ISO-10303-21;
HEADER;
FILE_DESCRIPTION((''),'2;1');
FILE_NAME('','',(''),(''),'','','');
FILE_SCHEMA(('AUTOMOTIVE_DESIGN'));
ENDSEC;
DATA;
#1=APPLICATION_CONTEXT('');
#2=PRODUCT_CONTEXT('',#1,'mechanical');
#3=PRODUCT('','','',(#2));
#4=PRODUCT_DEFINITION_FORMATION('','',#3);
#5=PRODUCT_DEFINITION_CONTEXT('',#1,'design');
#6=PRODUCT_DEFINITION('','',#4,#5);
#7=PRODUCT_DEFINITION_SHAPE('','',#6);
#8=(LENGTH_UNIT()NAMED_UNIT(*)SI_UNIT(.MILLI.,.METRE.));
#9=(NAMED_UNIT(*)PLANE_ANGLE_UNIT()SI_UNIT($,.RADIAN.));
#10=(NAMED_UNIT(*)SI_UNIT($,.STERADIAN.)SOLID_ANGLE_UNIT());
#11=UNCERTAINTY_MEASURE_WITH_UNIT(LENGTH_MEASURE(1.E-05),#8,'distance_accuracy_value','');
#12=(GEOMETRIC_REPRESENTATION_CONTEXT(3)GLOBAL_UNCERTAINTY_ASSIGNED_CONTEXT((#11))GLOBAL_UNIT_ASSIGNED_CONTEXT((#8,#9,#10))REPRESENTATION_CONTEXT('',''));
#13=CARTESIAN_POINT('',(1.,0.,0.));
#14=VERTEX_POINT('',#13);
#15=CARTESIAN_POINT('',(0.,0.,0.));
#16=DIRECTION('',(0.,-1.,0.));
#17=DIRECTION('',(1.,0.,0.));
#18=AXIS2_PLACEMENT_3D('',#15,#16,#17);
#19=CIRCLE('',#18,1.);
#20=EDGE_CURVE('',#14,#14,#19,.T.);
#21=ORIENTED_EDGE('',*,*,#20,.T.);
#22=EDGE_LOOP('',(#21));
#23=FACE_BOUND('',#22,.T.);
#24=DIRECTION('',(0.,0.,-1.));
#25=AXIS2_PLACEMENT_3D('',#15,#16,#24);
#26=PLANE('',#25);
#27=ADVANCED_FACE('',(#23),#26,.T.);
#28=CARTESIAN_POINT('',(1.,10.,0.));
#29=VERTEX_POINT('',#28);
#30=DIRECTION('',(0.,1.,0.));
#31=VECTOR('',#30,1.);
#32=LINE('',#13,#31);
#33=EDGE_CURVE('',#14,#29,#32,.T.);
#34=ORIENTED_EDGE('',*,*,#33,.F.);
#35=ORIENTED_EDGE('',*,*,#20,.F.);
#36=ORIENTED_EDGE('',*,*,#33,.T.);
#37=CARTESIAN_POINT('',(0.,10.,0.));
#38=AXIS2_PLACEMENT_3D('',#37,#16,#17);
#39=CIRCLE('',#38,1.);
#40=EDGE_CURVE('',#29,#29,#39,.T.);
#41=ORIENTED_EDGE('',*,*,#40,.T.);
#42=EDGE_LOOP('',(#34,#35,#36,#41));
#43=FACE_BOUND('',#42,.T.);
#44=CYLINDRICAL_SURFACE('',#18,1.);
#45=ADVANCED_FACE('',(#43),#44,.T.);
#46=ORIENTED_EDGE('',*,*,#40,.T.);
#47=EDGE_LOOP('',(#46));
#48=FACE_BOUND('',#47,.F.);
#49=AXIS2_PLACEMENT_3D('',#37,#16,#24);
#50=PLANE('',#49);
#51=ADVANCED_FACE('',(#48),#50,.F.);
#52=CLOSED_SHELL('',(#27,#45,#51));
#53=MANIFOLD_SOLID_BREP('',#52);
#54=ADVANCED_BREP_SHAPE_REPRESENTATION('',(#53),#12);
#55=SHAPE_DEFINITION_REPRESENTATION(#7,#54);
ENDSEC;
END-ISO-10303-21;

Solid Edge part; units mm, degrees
sketch "Sketch1" plane through (0, 0, 0) normal (0, -1, 0) x (1, 0, 0)
  circle A0 centre (0, 0) radius 1
  dimension "D1" = 2
extrude "Ajout_matière_1" add sketch "Sketch1" against normal blind 10
properties part number "05" material "Acier S235"
